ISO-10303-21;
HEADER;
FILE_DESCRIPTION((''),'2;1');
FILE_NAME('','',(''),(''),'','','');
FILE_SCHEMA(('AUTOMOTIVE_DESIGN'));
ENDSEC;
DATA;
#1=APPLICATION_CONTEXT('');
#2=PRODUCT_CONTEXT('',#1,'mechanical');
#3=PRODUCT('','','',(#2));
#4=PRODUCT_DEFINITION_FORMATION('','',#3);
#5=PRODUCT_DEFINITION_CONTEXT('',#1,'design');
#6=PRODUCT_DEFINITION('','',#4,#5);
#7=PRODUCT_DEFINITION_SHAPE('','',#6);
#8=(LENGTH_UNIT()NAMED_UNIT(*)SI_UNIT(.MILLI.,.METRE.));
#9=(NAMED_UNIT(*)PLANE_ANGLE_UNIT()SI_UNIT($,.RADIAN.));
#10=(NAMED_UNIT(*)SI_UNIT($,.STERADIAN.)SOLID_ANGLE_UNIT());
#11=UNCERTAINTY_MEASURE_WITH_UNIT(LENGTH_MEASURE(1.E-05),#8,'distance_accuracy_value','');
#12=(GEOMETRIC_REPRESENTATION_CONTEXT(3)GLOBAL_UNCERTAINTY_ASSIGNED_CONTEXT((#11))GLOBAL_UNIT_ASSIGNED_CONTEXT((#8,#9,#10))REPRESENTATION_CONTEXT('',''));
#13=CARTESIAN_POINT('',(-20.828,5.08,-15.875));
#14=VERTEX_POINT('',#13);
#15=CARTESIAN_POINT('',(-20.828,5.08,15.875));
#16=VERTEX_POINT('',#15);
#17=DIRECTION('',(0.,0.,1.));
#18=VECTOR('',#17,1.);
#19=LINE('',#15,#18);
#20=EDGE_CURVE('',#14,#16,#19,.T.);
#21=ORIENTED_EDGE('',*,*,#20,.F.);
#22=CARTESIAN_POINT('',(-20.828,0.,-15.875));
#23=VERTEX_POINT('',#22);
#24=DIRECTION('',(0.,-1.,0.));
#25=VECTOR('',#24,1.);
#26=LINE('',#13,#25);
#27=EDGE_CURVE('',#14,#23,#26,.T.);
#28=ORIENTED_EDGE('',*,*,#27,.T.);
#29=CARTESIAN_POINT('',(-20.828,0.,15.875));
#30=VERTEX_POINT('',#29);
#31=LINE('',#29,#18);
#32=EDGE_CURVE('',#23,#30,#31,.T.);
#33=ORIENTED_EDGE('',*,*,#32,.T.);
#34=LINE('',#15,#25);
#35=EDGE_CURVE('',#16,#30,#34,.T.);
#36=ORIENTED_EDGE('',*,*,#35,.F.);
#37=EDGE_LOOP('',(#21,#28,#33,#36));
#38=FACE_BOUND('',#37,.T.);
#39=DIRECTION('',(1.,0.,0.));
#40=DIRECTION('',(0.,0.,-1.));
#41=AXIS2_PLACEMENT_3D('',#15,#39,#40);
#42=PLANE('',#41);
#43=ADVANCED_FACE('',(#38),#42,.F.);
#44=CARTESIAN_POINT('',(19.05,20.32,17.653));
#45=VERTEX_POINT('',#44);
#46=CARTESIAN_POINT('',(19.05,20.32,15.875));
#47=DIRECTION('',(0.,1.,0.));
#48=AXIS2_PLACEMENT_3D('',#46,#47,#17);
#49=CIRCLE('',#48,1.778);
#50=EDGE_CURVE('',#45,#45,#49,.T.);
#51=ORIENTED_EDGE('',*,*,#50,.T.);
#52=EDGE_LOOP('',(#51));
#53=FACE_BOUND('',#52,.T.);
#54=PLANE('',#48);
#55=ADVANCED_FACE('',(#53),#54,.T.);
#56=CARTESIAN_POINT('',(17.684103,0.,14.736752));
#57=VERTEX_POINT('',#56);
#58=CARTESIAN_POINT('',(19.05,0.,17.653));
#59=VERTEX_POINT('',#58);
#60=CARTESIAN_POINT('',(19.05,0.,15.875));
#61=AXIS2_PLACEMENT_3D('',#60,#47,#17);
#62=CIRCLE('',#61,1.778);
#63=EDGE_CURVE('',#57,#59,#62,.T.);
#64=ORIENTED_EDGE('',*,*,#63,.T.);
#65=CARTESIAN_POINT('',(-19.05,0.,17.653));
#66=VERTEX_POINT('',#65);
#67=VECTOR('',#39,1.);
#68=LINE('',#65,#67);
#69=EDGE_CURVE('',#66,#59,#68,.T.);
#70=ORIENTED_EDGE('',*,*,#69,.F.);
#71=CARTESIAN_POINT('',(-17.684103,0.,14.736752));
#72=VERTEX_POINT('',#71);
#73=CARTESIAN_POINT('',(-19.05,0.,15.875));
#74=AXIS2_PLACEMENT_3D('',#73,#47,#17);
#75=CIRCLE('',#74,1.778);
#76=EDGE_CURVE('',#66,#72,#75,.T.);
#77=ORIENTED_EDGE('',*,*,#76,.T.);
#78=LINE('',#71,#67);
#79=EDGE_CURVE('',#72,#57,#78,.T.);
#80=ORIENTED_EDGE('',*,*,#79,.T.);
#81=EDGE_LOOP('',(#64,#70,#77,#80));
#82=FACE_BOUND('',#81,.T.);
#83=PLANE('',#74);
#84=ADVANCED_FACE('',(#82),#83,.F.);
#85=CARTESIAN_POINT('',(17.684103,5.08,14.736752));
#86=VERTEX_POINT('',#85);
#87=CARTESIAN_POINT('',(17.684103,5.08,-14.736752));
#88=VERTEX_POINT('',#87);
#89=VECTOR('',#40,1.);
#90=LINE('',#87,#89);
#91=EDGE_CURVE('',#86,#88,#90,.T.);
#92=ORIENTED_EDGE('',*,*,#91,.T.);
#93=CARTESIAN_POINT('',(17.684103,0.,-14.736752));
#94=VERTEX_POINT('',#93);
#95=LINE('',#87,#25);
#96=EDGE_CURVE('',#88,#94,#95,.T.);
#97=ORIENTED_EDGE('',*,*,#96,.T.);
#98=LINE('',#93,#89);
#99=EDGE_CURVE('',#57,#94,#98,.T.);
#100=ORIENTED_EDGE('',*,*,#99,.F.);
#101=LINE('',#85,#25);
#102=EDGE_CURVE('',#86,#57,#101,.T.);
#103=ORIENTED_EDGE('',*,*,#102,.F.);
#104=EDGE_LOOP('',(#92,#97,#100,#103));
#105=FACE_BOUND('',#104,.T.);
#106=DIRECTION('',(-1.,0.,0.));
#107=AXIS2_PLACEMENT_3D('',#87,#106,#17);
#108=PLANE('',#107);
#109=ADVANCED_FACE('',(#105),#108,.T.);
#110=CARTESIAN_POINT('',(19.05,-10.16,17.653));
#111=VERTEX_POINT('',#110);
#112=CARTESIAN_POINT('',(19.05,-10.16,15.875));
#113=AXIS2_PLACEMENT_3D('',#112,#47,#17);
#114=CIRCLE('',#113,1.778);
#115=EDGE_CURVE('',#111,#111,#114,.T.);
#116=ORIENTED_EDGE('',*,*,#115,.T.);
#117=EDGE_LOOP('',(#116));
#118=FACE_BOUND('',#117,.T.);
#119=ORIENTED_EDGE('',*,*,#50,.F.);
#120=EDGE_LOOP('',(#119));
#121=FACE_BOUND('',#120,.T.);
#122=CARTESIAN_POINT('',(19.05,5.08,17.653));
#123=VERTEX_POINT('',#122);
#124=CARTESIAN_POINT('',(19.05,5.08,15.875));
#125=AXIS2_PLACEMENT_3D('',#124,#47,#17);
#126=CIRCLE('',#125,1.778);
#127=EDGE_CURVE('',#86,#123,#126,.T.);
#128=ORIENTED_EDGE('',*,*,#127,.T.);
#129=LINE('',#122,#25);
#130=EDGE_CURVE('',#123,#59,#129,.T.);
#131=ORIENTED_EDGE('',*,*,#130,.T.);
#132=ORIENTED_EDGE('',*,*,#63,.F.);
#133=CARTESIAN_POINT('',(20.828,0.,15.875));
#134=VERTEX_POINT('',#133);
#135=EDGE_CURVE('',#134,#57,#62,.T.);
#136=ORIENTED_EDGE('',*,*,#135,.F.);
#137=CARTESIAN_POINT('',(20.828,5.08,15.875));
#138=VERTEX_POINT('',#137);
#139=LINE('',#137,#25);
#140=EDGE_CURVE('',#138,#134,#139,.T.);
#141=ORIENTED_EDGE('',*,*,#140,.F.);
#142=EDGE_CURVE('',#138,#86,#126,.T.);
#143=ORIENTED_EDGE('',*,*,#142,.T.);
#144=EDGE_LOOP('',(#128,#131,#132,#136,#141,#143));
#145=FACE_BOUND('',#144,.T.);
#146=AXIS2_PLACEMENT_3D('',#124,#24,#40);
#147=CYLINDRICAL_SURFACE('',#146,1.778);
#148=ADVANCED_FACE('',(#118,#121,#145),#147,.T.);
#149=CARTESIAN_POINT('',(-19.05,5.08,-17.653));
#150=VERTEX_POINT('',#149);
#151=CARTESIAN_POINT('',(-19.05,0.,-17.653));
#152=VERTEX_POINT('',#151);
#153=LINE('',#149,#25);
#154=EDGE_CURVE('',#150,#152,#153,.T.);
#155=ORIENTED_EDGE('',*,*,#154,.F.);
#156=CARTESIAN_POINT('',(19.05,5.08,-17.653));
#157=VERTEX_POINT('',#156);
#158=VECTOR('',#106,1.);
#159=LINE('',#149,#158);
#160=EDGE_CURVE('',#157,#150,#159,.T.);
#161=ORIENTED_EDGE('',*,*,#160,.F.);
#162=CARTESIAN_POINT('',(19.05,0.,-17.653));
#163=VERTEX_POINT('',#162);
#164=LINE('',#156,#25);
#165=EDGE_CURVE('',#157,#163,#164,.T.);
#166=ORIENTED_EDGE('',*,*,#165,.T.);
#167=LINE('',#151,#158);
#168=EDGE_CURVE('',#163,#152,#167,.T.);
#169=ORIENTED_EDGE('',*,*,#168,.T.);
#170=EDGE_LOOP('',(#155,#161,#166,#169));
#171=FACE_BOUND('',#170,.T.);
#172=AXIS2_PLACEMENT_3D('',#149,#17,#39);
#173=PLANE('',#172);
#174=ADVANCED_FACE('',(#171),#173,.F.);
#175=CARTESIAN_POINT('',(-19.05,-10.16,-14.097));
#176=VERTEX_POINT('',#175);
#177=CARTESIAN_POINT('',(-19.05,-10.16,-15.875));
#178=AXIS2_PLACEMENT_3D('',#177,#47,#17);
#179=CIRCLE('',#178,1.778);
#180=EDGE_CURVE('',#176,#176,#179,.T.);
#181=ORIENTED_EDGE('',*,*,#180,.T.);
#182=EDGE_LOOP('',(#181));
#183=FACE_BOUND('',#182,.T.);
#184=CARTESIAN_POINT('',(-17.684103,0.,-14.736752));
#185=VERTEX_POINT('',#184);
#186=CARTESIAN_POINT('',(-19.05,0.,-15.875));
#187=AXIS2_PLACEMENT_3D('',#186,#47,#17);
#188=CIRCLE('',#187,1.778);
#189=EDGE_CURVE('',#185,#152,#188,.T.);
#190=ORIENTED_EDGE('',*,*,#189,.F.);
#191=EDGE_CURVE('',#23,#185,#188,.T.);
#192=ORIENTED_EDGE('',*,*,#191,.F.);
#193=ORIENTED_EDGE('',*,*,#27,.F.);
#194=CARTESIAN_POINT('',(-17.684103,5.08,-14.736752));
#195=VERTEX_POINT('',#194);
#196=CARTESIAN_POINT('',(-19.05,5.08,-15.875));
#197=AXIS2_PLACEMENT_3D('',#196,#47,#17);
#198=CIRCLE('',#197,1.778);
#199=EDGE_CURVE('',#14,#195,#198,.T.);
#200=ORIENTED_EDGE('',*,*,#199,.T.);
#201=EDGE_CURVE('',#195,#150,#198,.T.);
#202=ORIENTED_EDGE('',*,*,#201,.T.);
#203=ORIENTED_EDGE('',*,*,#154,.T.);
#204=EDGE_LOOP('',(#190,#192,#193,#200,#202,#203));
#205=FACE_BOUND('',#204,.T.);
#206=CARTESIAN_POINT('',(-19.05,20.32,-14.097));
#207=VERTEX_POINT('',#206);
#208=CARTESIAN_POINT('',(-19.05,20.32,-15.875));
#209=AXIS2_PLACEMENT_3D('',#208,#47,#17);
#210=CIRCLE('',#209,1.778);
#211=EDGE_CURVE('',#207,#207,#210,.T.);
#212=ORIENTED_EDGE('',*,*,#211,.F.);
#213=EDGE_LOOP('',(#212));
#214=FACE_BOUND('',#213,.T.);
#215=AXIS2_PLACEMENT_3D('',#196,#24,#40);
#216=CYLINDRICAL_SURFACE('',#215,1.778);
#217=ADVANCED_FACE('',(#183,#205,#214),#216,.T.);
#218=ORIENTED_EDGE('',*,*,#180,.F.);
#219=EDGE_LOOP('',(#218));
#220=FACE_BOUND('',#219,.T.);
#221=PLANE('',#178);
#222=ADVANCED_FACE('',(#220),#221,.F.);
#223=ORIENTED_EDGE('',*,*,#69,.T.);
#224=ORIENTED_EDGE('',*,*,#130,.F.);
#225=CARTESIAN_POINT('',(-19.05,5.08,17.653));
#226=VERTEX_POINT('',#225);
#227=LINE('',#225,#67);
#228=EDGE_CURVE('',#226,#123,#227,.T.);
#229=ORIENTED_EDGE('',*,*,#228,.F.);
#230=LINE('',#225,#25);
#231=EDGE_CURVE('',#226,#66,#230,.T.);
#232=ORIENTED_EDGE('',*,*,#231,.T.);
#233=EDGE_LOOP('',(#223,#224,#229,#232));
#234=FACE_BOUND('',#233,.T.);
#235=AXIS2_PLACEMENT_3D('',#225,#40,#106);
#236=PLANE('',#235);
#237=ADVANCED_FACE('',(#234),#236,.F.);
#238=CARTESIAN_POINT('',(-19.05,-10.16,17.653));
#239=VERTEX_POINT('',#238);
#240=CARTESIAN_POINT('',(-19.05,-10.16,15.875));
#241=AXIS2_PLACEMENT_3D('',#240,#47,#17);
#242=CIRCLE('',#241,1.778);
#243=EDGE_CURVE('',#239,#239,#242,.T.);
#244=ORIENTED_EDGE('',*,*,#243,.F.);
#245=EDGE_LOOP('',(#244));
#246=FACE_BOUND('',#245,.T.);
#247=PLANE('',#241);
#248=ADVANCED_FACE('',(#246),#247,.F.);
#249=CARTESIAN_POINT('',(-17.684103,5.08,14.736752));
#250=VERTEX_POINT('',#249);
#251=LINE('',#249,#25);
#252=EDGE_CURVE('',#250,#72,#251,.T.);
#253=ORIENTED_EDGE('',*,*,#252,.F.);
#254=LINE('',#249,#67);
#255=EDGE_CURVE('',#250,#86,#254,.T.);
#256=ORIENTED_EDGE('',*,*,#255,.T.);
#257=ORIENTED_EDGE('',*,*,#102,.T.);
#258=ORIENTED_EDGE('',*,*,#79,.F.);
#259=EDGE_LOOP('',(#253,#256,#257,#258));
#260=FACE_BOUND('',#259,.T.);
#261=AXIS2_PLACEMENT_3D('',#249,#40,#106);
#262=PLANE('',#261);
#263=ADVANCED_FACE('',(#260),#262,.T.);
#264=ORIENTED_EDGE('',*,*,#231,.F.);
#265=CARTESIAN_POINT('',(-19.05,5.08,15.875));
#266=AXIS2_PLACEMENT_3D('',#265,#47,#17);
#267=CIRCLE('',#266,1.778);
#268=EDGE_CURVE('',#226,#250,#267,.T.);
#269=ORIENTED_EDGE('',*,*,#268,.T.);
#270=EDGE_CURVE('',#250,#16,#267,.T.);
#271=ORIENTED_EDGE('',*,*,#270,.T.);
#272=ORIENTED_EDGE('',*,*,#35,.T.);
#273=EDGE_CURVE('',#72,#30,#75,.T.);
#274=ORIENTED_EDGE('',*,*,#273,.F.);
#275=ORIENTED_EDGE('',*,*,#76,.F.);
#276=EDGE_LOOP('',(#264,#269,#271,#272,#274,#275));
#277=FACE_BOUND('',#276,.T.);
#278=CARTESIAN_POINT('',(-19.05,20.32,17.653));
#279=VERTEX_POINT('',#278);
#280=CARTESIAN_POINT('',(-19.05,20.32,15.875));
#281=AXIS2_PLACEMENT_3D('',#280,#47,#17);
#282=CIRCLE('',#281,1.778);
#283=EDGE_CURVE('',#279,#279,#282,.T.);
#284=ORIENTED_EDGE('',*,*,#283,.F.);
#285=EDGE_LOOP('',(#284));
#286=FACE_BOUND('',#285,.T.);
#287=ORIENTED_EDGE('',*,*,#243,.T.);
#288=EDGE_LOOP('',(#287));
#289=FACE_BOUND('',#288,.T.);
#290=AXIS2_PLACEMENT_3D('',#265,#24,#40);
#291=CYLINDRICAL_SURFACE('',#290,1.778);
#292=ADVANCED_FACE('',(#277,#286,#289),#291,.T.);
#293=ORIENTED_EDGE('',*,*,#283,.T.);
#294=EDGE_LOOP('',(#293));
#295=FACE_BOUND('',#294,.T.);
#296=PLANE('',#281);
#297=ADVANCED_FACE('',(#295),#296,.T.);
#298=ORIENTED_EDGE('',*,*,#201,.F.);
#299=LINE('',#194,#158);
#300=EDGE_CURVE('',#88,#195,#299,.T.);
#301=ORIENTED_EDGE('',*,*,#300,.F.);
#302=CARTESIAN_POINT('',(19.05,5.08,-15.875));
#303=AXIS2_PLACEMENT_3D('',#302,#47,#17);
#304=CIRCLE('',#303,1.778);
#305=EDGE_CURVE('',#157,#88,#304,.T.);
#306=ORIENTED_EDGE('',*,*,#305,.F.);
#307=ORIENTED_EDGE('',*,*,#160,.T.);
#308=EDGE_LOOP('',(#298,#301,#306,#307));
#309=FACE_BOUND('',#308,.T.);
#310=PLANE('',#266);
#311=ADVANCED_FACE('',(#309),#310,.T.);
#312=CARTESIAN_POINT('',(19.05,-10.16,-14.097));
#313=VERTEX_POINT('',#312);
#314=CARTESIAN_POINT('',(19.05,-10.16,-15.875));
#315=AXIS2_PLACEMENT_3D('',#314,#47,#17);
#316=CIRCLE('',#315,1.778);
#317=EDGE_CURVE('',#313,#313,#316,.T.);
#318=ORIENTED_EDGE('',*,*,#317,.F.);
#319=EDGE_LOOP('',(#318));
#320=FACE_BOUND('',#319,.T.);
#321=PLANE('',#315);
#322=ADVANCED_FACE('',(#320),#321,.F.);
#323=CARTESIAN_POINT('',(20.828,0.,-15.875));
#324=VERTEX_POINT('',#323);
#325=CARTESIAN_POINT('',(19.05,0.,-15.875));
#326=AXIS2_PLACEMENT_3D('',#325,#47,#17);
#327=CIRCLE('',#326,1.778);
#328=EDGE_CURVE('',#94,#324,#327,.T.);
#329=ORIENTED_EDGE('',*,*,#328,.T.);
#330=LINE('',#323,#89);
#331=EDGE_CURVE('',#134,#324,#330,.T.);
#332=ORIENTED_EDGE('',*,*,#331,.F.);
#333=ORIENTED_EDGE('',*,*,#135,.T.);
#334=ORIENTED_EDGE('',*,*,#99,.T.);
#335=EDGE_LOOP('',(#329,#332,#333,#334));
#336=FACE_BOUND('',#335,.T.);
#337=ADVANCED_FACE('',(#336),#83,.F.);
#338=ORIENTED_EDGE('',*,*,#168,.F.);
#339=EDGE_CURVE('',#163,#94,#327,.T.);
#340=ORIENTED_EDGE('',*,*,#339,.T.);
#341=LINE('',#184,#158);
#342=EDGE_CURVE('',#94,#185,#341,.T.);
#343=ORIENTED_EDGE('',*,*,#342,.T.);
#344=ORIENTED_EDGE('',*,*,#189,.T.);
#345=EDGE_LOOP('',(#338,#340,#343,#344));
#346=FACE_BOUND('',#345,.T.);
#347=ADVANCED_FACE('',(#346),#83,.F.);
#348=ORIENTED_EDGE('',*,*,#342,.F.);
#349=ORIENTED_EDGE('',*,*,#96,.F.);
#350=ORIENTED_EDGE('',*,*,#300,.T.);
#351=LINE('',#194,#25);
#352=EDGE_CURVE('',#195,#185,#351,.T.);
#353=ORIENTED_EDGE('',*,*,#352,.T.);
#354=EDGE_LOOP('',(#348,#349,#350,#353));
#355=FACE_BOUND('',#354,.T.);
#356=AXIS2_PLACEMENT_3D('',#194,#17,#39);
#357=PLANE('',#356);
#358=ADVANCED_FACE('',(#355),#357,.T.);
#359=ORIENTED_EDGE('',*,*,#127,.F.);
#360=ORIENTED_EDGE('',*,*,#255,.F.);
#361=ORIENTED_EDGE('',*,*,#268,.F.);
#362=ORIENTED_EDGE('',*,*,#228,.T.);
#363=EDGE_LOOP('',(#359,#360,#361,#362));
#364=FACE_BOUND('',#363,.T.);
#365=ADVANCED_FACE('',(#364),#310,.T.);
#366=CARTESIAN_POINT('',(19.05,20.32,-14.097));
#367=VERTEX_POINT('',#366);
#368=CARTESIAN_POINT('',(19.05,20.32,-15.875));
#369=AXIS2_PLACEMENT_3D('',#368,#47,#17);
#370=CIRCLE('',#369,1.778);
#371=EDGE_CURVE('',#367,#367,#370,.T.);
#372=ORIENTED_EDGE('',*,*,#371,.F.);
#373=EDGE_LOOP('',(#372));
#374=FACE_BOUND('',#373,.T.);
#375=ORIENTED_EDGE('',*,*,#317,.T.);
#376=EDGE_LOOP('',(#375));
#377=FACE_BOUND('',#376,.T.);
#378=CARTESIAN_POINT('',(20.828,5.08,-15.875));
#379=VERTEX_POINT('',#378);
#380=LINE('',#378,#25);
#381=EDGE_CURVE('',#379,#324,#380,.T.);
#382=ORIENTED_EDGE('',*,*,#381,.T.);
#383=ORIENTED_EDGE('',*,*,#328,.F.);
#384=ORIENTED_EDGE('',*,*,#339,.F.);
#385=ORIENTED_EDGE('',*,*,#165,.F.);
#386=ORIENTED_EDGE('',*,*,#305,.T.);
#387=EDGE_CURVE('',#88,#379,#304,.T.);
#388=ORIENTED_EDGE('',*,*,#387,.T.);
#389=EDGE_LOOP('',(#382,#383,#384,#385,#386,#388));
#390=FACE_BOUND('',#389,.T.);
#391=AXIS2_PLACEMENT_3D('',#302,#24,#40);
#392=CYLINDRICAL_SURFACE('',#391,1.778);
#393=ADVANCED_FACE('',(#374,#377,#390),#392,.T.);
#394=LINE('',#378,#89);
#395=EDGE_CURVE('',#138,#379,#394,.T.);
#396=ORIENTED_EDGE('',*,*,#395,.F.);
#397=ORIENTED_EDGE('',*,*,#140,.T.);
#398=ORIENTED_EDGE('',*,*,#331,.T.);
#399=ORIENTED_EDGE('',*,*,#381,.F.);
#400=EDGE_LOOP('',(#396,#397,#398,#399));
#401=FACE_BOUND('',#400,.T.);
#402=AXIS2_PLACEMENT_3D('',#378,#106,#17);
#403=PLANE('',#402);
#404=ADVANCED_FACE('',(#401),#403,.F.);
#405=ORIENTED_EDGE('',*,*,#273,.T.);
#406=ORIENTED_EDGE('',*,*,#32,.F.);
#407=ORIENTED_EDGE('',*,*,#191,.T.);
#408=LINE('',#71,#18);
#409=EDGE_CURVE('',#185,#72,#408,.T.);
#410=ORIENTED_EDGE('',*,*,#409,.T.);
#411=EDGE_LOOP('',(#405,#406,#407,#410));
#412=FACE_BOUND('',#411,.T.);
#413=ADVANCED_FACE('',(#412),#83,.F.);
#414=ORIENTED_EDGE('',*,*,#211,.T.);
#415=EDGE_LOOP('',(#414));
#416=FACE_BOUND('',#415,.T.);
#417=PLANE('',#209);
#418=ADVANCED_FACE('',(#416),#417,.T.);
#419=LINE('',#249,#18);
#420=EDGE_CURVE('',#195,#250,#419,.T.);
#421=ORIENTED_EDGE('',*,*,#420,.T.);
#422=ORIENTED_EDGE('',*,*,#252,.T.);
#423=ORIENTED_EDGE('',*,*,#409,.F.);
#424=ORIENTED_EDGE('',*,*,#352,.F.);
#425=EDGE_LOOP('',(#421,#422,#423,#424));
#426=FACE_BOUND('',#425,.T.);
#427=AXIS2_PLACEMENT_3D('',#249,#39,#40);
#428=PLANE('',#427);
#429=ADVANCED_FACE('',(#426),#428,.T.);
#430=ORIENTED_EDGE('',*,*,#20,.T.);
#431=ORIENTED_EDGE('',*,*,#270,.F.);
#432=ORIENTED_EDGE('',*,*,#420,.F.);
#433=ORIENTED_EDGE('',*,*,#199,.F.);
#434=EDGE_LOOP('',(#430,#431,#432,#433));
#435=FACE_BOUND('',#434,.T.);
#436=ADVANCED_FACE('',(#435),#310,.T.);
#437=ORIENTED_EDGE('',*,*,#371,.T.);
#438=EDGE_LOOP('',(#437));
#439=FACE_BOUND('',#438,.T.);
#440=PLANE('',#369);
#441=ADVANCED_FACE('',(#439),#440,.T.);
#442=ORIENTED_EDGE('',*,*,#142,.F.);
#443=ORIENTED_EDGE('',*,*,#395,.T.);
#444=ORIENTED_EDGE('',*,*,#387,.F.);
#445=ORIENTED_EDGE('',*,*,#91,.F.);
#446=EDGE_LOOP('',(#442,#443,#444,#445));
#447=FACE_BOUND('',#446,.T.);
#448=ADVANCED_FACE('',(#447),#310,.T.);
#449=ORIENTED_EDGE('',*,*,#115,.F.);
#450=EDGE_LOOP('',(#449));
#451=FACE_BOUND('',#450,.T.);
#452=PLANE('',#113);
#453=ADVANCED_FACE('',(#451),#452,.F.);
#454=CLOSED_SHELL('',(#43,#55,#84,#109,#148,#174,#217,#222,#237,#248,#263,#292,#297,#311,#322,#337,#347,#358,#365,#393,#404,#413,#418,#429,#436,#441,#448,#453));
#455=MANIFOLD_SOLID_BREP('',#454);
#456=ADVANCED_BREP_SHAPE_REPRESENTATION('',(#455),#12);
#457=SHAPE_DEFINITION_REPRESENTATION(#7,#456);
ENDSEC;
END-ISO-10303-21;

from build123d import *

# Parameters (mm, degrees)
SKETCH2_W                = 35.36820513
SKETCH2_H                = 29.473504274
BOSS_EXTRUDE1_DEPTH      = 5.08
BOSS_EXTRUDE2_DEPTH      = 15.24
BOSS_EXTRUDE2_DEPTH_BACK = 15.24
SKETCH3_R                = 1.778


with BuildPart() as part:
    # Sketch2 → Boss-Extrude1 (new body)
    with BuildSketch(Plane(origin=(0, 0, 0), x_dir=(1, 0, 0), z_dir=(0, 1, 0))):
        with BuildLine():
            Line((-20.828, -15.875), (-20.828, 15.875))
            ThreePointArc((-20.828, 15.875), (-20.307235857, 17.132235857), (-19.05, 17.653))
            Line((-19.05, 17.653), (19.05, 17.653))
            ThreePointArc((19.05, 17.653), (20.307235857, 17.132235857), (20.828, 15.875))
            Line((20.828, 15.875), (20.828, -15.875))
            ThreePointArc((20.828, -15.875), (20.307235857, -17.132235857), (19.05, -17.653))
            Line((19.05, -17.653), (-19.05, -17.653))
            ThreePointArc((-19.05, -17.653), (-20.307235857, -17.132235857), (-20.828, -15.875))
        make_face()
        Rectangle(SKETCH2_W, SKETCH2_H, mode=Mode.SUBTRACT)
    extrude(amount=BOSS_EXTRUDE1_DEPTH)

    # Sketch3 → Boss-Extrude2 (add, two sides: drawn at the far end of the back side and taken through both)
    with BuildSketch(Plane(origin=(0, 5.08, 0), x_dir=(1, 0, 0), z_dir=(0, 1, 0)).offset(-BOSS_EXTRUDE2_DEPTH_BACK)):
        with Locations(Location((-19.05, -15.875, 0), (0, 0, 270))):
            Circle(SKETCH3_R)
        with Locations(Location((19.05, -15.875, 0), (0, 0, 270))):
            Circle(SKETCH3_R)
        with Locations(Location((19.05, 15.875, 0), (0, 0, 270))):
            Circle(SKETCH3_R)
        with Locations(Location((-19.05, 15.875, 0), (0, 0, 270))):
            Circle(SKETCH3_R)
    extrude(amount=BOSS_EXTRUDE2_DEPTH + BOSS_EXTRUDE2_DEPTH_BACK)


solid = part.part
